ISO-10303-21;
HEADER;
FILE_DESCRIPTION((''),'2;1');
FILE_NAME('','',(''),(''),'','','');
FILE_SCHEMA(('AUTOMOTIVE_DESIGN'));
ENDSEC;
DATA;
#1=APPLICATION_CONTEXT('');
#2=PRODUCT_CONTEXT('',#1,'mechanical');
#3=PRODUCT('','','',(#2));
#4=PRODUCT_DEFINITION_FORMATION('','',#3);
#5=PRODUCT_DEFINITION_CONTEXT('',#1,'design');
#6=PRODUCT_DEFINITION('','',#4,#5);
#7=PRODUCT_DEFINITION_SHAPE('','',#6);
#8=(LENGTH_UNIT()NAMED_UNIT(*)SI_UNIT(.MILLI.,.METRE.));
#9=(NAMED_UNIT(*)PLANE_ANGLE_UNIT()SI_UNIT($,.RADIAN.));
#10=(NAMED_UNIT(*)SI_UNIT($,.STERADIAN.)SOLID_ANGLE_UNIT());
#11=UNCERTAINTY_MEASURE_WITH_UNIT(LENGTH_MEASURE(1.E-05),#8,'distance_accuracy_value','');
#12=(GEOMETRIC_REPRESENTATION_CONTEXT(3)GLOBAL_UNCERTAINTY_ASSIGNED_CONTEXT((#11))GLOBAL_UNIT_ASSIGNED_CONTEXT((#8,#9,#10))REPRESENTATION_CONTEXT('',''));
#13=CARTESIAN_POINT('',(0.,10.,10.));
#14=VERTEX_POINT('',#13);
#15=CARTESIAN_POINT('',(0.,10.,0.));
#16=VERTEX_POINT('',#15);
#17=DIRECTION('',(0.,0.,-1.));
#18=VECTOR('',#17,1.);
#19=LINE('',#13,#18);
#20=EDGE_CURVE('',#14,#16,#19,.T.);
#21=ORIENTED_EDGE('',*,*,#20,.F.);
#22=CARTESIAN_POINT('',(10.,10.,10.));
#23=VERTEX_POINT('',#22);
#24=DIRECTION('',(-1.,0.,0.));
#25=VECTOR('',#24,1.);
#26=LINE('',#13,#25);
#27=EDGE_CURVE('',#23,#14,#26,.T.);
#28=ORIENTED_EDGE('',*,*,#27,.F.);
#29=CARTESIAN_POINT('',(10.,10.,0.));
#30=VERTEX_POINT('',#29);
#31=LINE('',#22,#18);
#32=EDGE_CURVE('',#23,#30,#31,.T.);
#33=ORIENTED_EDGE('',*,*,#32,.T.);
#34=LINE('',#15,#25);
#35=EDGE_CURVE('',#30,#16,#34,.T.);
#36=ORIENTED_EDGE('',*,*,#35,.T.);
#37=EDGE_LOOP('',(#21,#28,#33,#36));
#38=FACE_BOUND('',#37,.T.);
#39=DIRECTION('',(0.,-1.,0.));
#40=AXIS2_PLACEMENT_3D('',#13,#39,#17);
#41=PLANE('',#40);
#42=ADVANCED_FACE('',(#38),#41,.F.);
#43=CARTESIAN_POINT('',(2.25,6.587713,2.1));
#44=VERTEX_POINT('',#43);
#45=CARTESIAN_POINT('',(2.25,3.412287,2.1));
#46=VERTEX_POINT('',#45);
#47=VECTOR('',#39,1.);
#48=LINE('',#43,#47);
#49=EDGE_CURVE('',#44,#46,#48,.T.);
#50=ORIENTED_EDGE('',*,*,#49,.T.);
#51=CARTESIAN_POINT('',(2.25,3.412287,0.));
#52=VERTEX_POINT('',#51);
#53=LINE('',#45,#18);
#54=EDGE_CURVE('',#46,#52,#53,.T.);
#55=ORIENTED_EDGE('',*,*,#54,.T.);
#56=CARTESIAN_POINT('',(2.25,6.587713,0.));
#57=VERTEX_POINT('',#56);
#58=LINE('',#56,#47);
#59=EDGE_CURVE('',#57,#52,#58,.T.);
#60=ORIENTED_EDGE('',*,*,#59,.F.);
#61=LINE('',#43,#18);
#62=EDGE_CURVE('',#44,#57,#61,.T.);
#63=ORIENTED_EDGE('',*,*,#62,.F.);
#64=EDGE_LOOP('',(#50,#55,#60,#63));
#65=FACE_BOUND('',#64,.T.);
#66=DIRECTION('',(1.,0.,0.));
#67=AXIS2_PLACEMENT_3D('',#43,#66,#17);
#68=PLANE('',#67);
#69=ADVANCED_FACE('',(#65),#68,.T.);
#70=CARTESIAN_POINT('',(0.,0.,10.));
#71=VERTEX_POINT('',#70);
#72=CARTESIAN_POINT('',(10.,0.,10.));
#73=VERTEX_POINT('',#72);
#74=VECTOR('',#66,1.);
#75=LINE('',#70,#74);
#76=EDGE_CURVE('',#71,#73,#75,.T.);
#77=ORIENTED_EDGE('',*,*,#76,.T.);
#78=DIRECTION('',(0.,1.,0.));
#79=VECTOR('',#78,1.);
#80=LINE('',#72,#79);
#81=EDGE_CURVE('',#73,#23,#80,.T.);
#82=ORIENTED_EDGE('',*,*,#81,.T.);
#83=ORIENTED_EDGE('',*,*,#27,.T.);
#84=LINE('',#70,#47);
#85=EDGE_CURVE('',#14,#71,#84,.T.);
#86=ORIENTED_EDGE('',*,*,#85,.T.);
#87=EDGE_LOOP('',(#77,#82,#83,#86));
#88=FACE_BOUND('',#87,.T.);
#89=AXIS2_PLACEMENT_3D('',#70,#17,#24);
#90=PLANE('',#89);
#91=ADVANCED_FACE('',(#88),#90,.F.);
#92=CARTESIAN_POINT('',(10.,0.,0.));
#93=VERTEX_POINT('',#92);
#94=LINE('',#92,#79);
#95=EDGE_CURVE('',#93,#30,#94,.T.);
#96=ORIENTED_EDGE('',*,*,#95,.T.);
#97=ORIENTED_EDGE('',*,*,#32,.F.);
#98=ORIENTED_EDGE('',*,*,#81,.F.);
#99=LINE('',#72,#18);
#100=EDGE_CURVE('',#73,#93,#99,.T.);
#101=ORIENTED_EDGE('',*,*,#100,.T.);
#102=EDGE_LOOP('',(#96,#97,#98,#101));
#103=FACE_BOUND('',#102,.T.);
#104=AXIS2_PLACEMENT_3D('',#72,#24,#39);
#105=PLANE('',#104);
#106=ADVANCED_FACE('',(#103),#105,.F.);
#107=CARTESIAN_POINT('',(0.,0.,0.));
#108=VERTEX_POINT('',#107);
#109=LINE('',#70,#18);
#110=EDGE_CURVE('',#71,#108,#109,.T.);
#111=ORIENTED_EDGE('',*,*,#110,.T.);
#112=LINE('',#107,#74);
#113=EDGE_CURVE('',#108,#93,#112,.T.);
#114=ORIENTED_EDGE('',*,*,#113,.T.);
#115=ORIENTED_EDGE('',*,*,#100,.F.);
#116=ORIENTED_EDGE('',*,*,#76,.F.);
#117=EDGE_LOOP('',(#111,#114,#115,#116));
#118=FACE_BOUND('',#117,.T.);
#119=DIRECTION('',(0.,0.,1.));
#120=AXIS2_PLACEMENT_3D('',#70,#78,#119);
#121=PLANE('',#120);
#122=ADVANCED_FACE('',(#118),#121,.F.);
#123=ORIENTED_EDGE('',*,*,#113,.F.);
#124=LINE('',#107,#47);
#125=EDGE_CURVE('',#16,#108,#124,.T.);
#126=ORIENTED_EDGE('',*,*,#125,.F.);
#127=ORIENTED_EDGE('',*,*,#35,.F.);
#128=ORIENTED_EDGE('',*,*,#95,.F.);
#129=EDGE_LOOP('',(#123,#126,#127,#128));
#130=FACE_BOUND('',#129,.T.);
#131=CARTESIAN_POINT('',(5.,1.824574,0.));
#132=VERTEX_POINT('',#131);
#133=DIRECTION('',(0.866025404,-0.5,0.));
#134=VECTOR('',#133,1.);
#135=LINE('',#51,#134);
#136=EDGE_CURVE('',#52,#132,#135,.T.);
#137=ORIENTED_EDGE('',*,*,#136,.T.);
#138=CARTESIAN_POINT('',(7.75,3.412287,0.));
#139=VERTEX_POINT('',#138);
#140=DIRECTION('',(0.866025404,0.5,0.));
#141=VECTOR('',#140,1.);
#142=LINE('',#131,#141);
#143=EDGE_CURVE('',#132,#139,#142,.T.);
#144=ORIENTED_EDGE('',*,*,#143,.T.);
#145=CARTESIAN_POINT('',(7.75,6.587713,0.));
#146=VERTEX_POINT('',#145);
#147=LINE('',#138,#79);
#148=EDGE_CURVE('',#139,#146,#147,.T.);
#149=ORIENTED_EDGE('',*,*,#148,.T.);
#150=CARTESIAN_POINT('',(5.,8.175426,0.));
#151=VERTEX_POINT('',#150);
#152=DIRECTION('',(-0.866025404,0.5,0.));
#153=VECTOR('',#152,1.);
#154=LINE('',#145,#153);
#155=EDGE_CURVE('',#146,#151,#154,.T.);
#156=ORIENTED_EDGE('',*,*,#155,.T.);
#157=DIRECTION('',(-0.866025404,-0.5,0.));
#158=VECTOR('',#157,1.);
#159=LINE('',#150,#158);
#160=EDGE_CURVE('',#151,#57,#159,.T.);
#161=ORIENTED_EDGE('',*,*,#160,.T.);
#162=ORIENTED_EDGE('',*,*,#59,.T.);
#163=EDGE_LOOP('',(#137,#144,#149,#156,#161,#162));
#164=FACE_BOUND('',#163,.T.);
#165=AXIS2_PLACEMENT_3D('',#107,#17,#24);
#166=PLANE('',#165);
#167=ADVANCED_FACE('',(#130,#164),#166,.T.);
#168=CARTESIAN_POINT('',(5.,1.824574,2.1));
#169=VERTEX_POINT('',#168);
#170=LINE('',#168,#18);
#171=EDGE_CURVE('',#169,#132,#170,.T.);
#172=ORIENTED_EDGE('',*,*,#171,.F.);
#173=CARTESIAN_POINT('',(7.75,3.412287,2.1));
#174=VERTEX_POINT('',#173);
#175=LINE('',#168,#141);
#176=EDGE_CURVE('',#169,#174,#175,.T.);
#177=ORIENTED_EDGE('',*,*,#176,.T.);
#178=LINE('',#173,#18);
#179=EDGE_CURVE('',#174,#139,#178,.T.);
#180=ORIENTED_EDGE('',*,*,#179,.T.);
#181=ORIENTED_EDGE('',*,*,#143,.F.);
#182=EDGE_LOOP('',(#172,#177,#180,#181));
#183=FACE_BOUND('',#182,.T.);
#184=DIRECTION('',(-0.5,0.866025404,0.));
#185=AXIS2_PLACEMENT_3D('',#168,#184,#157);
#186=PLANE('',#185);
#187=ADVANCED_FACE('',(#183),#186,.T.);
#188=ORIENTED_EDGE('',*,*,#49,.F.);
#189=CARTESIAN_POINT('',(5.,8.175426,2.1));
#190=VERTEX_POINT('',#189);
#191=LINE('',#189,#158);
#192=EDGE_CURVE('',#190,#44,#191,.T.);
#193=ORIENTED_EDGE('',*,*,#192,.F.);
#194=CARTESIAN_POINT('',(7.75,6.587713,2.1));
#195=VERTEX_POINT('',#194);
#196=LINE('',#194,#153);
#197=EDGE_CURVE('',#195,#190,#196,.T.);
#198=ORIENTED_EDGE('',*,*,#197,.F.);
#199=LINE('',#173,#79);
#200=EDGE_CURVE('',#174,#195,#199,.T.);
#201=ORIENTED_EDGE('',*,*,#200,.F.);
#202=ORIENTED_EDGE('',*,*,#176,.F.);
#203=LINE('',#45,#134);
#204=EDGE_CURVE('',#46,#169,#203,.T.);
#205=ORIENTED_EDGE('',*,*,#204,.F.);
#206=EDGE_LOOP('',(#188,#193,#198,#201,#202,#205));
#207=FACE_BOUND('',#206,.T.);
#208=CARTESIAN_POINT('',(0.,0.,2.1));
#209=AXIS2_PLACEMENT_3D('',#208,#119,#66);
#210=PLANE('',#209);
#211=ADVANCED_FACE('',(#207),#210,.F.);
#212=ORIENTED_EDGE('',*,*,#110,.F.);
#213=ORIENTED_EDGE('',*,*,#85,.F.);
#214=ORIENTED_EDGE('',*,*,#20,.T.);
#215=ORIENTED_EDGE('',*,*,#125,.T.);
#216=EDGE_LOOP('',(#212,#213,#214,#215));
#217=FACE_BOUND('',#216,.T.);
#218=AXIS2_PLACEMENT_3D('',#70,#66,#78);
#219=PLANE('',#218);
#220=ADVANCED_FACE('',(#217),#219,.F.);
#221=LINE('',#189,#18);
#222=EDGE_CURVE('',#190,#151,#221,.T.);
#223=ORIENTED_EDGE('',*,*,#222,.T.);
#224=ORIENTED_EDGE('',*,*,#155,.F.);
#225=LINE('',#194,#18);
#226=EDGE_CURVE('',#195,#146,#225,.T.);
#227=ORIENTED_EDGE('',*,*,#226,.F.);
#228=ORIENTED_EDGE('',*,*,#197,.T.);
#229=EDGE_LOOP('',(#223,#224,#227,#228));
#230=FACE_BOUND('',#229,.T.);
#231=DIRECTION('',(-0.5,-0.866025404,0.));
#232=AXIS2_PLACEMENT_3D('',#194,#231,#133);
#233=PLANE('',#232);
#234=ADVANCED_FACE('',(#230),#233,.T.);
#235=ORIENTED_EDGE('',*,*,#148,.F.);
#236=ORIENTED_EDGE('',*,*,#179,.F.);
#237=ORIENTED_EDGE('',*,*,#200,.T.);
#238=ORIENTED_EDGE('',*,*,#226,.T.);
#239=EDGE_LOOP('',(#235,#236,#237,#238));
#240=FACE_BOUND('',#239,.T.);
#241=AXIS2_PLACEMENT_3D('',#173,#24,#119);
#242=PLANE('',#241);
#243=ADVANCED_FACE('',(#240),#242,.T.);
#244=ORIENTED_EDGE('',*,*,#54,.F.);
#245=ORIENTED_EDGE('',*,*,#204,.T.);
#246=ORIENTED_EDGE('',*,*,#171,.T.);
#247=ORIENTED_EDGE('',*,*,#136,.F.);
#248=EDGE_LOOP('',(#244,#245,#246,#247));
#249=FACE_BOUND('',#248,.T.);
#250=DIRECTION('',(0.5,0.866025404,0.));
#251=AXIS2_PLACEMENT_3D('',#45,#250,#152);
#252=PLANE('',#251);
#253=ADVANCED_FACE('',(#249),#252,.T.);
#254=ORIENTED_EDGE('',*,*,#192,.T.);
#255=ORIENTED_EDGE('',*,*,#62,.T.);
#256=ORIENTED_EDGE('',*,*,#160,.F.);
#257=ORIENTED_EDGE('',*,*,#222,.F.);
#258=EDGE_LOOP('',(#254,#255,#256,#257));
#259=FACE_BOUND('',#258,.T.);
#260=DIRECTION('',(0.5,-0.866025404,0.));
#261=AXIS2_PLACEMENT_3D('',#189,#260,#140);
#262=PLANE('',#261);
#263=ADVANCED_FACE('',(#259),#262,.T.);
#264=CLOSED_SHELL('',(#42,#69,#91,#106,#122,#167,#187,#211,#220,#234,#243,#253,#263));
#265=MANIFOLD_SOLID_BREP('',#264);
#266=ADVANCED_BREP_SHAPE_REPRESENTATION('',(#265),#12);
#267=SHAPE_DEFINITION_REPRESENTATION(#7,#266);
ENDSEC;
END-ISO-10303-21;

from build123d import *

# Parameters (mm, degrees)
SKETCH_1_W          = 10
SKETCH_1_H          = 10
EXTRUDE_1_DEPTH     = 10
CUT_EXTRUDE_1_DEPTH = 2.1


with BuildPart() as part:
    # Sketch 1 → Extrude 1 (new body)
    with BuildSketch(Plane.XY):
        with Locations((5, 5)):
            Rectangle(SKETCH_1_W, SKETCH_1_H)
    extrude(amount=EXTRUDE_1_DEPTH)

    # Sketch 2 → Cut-Extrude 1 (cut)
    with BuildSketch(Plane(origin=(0, 50, 0), x_dir=(1, 0, 0), z_dir=(0, 0, 1))):
        Polygon((5, -41.824573519), (2.25, -43.41228676), (2.25, -46.58771324), (5, -48.175426481), (7.75, -46.58771324), (7.75, -43.41228676), align=None)
    extrude(amount=CUT_EXTRUDE_1_DEPTH, mode=Mode.SUBTRACT)


solid = part.part
